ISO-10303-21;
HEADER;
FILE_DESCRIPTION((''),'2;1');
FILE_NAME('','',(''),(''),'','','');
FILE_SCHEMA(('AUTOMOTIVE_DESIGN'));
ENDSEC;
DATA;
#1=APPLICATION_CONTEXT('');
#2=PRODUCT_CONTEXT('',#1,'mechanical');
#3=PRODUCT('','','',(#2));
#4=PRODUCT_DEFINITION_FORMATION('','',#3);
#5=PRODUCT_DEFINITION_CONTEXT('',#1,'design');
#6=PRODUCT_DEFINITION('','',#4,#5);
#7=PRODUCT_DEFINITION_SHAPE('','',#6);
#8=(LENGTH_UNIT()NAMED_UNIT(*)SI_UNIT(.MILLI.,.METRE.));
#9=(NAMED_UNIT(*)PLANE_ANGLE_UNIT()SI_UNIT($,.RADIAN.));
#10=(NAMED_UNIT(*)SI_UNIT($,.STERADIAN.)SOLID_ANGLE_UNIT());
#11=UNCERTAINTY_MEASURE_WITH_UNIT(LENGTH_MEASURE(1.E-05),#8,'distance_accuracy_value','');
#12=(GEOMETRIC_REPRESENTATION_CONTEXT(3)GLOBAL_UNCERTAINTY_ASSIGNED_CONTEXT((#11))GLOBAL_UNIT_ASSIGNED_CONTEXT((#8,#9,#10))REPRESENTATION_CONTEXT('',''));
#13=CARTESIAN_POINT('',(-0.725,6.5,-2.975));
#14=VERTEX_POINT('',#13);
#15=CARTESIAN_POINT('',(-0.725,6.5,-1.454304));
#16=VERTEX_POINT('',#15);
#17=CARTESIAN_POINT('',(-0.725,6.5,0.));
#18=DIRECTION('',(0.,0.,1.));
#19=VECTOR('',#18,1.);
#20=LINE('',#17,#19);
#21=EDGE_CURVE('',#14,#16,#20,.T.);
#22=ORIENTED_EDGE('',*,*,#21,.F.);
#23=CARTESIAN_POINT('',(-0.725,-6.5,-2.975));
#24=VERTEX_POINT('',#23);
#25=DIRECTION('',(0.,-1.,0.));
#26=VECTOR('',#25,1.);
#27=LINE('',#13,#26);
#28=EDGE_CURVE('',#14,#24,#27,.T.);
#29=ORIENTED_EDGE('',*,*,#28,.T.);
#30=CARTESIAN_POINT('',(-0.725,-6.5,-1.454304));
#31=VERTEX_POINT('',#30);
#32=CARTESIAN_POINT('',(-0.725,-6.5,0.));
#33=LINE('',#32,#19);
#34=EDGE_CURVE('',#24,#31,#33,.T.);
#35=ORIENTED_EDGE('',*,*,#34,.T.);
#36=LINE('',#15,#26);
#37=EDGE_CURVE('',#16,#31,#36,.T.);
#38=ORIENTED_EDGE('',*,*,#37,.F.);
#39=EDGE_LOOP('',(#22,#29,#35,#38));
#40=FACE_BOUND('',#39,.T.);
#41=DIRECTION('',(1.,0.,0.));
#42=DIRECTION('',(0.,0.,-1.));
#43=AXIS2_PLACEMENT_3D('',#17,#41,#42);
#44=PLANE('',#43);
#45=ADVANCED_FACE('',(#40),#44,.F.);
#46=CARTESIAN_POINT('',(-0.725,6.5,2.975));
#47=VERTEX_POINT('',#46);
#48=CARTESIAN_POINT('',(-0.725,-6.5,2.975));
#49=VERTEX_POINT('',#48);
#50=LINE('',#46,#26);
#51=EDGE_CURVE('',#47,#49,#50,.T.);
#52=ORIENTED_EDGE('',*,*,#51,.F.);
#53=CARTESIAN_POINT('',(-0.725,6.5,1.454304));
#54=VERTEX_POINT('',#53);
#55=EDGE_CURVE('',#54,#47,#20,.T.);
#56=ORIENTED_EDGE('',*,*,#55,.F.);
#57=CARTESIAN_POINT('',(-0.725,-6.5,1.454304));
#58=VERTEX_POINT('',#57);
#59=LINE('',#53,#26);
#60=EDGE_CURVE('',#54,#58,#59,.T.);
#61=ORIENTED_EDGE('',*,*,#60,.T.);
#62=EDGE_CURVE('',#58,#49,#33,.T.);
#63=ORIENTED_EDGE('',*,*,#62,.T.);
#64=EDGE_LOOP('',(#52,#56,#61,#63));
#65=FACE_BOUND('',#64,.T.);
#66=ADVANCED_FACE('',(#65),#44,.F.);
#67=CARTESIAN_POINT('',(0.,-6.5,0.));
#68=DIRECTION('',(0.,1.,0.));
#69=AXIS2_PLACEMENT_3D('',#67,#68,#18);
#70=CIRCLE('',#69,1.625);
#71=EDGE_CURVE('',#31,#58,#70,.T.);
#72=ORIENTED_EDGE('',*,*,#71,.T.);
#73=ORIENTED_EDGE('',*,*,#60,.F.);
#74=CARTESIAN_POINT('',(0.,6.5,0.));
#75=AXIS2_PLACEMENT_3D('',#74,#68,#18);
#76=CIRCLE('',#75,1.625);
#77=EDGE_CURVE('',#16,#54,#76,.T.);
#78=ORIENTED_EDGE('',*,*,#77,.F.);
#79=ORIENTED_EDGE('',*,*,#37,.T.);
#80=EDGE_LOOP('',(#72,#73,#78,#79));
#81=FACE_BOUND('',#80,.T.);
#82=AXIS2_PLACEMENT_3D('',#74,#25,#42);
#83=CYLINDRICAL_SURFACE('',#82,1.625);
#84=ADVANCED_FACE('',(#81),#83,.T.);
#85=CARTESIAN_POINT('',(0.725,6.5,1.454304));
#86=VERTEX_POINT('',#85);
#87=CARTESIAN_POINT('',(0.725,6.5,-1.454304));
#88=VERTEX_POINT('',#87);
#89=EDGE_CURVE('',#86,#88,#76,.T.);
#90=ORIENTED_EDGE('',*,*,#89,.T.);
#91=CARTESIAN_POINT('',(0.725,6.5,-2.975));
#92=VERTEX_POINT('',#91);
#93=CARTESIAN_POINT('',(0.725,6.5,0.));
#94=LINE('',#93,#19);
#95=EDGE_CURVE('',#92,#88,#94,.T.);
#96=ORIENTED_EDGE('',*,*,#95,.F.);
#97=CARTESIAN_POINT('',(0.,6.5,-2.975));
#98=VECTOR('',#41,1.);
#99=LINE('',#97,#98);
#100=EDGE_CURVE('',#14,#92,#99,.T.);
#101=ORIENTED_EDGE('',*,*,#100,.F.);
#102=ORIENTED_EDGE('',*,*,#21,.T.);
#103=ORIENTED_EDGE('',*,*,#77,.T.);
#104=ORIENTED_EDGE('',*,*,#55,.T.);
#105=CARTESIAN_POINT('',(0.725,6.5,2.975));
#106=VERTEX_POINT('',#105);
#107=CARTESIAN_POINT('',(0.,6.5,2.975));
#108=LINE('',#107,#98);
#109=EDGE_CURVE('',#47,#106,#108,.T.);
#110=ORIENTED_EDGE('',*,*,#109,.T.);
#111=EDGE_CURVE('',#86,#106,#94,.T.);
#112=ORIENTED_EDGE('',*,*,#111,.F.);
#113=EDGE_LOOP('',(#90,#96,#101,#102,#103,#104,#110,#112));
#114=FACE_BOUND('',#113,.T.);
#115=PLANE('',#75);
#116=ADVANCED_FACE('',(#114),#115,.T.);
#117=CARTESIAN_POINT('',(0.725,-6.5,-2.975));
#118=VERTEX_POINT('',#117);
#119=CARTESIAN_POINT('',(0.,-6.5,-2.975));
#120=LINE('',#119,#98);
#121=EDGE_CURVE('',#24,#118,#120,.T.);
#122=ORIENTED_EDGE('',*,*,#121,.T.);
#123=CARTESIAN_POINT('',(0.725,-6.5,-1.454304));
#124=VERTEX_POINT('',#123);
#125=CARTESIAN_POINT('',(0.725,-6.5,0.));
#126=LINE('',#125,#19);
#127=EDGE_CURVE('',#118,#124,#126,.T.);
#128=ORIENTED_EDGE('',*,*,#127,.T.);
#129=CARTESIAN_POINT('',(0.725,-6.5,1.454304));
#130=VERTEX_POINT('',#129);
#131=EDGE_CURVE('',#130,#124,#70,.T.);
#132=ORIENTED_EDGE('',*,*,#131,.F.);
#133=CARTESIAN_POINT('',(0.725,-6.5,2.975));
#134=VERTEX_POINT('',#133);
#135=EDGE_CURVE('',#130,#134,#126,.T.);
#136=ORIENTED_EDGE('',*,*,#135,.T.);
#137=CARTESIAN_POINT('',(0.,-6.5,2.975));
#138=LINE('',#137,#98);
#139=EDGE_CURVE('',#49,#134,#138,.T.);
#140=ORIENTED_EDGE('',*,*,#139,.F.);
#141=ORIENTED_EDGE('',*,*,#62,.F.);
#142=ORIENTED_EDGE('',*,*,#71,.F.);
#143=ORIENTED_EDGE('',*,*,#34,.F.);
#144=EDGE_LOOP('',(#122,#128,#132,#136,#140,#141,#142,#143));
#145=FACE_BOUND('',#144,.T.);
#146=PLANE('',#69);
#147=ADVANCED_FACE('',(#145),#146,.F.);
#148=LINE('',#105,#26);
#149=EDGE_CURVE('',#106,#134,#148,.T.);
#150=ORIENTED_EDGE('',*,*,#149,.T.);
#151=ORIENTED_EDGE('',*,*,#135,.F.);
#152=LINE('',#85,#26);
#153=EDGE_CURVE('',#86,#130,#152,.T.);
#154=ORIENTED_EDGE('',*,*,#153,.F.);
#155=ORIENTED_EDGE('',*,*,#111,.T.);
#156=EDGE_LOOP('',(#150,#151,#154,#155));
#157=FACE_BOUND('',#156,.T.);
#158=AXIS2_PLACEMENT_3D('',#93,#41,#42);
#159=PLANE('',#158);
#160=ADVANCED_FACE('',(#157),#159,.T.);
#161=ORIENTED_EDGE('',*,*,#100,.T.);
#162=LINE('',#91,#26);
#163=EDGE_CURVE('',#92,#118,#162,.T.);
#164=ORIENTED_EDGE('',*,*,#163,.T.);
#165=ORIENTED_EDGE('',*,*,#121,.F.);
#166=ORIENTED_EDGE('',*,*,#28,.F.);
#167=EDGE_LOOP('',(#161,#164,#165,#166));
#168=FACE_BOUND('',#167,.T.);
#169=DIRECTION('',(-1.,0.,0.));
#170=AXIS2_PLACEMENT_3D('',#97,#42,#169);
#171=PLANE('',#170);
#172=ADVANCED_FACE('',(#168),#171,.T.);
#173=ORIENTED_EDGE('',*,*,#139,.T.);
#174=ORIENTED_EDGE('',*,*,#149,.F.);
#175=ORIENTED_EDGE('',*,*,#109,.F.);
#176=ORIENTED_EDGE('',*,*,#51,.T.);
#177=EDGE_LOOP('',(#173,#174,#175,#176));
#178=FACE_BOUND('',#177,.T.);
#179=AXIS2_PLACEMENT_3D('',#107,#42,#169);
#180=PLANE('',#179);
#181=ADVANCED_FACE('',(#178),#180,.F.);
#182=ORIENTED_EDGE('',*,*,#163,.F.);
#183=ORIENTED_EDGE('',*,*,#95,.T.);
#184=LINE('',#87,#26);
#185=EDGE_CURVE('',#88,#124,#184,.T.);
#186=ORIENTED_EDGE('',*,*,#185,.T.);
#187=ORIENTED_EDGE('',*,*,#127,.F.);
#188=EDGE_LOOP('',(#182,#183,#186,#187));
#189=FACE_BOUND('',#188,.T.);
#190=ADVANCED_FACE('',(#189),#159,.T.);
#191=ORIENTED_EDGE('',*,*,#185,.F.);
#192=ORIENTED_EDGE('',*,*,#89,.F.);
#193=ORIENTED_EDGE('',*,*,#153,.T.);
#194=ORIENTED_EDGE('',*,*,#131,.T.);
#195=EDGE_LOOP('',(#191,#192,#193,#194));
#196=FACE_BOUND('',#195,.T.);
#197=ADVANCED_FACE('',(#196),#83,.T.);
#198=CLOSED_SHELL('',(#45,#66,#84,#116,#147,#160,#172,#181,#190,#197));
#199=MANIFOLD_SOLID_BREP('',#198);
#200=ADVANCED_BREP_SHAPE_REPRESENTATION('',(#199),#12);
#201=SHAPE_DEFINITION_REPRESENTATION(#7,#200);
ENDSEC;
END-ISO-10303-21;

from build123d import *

# Parameters (mm, degrees)
BOSS_EXTRUDE1_DEPTH = 6.5


with BuildPart() as part:
    # Sketch1 → Boss-Extrude1 (new, symmetric)
    with BuildSketch(Plane(origin=(0, 0, 0), x_dir=(1, 0, 0), z_dir=(0, 1, 0))):
        with BuildLine():
            ThreePointArc((1.625, 0), (1.381801361, 0.855131569), (0.725, 1.454303957))
            Line((0.725, 1.454303957), (0.725, -1.454303957))
            ThreePointArc((0.725, -1.454303957), (1.381801361, -0.855131569), (1.625, 0))
        make_face()
        with BuildLine():
            ThreePointArc((0.725, 1.454303957), (0, 1.625), (-0.725, 1.454303957))
            Line((-0.725, 1.454303957), (-0.725, -1.454303957))
            ThreePointArc((-0.725, -1.454303957), (0, -1.625), (0.725, -1.454303957))
            Line((0.725, -1.454303957), (0.725, 1.454303957))
        make_face()
        with BuildLine():
            Line((-0.725, -1.454303957), (-0.725, 1.454303957))
            ThreePointArc((-0.725, 1.454303957), (-1.625, 0), (-0.725, -1.454303957))
        make_face()
        with BuildLine():
            Line((0.725, 2.975), (-0.725, 2.975))
            Line((-0.725, 2.975), (-0.725, 1.454303957))
            ThreePointArc((-0.725, 1.454303957), (0, 1.625), (0.725, 1.454303957))
            Line((0.725, 1.454303957), (0.725, 2.975))
        make_face()
        with BuildLine():
            ThreePointArc((0.725, -1.454303957), (0, -1.625), (-0.725, -1.454303957))
            Line((-0.725, -1.454303957), (-0.725, -2.975))
            Line((-0.725, -2.975), (0.725, -2.975))
            Line((0.725, -2.975), (0.725, -1.454303957))
        make_face()
    extrude(amount=BOSS_EXTRUDE1_DEPTH, both=True)


solid = part.part
